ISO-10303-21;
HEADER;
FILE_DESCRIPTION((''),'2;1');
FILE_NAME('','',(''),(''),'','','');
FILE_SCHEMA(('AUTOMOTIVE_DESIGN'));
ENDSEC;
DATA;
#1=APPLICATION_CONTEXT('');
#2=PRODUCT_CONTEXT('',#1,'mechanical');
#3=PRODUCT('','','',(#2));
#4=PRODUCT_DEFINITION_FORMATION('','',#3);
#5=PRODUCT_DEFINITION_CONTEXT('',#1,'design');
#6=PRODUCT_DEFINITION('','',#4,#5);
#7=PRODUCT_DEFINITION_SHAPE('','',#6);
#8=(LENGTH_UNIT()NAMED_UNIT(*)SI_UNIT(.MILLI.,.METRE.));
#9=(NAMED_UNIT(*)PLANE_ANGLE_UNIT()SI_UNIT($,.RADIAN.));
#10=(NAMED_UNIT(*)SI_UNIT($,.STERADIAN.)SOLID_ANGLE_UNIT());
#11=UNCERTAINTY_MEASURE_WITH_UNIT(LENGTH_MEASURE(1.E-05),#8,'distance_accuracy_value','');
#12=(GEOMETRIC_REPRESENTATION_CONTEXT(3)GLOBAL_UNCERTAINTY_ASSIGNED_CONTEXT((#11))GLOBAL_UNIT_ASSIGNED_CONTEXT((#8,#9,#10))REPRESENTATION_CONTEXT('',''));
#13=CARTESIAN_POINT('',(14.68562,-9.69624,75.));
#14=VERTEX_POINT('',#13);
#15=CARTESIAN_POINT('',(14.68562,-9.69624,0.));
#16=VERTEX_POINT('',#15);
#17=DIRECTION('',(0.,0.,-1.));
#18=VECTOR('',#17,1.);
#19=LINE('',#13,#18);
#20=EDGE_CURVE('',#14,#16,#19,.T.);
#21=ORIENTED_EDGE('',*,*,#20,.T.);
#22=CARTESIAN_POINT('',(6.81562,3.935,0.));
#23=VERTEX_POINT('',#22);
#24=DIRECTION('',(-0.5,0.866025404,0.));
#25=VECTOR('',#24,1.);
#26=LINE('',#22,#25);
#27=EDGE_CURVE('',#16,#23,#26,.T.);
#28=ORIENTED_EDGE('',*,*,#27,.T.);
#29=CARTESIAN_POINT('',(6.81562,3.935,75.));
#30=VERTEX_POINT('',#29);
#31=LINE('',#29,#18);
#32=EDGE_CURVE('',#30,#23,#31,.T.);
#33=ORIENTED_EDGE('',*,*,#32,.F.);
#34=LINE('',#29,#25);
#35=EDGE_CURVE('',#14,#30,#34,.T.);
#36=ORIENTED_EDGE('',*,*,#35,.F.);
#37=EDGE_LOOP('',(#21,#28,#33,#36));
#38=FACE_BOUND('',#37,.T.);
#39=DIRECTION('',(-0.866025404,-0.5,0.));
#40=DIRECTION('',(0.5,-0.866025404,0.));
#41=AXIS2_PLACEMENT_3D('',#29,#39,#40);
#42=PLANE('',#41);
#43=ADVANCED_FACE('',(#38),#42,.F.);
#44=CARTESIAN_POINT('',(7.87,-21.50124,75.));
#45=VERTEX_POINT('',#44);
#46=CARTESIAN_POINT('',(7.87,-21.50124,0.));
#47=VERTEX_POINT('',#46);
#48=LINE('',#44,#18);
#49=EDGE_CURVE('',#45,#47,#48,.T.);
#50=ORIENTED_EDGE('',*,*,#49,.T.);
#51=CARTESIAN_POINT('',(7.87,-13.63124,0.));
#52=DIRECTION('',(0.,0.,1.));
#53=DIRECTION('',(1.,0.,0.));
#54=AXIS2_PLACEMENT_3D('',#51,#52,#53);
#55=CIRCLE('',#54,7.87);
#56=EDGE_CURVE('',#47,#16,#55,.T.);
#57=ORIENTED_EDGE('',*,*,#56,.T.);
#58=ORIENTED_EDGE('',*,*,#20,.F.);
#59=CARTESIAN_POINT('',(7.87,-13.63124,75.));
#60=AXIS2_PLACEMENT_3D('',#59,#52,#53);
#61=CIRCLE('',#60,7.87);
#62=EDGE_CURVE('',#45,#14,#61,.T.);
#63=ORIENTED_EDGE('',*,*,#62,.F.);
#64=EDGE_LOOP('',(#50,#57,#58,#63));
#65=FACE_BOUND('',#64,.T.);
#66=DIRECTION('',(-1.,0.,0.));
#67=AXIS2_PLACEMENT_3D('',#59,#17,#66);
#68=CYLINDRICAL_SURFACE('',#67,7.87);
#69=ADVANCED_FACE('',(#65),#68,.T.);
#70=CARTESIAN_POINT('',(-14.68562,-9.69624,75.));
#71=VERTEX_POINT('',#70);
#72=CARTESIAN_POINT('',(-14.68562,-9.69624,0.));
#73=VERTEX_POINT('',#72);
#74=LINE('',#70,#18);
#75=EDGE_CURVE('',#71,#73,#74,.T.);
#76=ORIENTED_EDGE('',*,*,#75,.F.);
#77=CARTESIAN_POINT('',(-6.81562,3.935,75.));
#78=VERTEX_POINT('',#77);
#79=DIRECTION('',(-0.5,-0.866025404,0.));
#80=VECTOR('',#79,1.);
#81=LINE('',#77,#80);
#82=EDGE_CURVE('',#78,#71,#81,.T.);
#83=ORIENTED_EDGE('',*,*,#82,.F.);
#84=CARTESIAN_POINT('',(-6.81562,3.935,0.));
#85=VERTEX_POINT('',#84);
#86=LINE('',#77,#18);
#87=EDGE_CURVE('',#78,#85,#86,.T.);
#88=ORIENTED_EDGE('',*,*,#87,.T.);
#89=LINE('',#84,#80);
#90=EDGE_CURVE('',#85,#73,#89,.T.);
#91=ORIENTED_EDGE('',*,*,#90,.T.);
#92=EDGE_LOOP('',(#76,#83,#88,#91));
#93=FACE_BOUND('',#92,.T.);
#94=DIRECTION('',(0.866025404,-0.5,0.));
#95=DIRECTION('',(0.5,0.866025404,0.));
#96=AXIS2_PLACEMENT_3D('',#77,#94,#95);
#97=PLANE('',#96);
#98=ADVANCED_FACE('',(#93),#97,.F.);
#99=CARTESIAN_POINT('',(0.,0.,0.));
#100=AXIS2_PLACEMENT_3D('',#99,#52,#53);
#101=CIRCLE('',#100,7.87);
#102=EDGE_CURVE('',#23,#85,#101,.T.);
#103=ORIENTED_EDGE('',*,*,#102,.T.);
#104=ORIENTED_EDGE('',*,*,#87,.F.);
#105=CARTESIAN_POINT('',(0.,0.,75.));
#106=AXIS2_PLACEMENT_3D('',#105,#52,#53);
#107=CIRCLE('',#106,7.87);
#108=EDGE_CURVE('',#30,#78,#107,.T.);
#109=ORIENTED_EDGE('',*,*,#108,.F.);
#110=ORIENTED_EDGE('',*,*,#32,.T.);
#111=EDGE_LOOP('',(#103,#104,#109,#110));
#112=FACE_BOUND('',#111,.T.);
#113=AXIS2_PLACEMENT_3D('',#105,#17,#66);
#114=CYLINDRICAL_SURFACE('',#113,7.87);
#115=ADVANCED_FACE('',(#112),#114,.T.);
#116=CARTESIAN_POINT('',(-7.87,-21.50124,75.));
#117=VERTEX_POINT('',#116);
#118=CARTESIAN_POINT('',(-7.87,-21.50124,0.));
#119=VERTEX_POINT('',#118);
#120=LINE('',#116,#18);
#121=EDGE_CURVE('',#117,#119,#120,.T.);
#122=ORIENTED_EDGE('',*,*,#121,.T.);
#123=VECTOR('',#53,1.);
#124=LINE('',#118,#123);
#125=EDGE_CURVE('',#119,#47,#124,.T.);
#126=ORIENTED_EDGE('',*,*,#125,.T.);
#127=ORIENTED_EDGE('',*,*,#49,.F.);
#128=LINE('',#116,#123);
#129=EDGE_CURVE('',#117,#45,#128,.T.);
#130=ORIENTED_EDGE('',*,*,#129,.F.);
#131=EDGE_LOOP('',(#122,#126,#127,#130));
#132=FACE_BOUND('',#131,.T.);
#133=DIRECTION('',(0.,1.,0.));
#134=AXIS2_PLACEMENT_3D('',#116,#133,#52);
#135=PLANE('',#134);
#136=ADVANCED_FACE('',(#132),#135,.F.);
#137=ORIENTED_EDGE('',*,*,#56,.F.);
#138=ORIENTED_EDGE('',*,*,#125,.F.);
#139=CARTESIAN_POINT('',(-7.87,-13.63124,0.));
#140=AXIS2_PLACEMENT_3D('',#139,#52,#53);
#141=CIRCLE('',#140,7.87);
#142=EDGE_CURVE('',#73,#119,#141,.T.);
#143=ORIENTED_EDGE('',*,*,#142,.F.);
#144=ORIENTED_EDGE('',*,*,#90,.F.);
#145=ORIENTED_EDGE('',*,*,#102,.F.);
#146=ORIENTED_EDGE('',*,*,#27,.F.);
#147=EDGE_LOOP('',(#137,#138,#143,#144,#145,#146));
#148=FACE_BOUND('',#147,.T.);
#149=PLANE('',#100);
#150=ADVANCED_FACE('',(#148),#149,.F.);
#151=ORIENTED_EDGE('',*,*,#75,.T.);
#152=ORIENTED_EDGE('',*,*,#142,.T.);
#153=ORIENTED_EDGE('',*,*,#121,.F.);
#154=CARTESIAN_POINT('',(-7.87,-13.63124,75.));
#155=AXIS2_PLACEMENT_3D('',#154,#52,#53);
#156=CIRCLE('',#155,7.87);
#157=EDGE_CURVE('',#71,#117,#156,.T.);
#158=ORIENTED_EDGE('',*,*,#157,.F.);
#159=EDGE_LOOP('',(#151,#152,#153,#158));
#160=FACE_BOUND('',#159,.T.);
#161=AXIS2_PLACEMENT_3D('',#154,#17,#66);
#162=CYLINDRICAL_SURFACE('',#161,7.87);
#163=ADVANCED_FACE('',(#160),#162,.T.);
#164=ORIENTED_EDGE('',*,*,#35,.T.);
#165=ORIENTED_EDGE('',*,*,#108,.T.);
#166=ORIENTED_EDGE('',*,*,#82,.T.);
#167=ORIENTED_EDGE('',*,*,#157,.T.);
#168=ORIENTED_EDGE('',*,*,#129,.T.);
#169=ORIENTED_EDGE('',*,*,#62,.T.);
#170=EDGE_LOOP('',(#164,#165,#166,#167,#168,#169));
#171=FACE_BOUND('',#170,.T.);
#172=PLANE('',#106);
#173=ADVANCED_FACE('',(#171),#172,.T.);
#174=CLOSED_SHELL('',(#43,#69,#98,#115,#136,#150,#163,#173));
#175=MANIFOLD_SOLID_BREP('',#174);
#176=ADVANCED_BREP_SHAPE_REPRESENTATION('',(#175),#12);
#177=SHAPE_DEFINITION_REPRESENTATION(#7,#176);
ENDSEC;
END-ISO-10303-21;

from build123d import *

# Parameters (mm, degrees)
EXTRUDE_1_DEPTH = 75


with BuildPart() as part:
    # 草图1 → 凸台-拉伸1 (new body)
    with BuildSketch(Plane.XY):
        with BuildLine():
            Line((-6.815619928, 3.935), (-14.685619928, -9.696239856))
            ThreePointArc((-14.685619928, -9.696239856), (-14.685619928, -17.566239856), (-7.87, -21.501239856))
            Line((-7.87, -21.501239856), (7.87, -21.501239856))
            ThreePointArc((7.87, -21.501239856), (14.685619928, -17.566239856), (14.685619928, -9.696239856))
            Line((14.685619928, -9.696239856), (6.815619928, 3.935))
            ThreePointArc((6.815619928, 3.935), (0, 7.87), (-6.815619928, 3.935))
        make_face()
    extrude(amount=EXTRUDE_1_DEPTH)


solid = part.part
